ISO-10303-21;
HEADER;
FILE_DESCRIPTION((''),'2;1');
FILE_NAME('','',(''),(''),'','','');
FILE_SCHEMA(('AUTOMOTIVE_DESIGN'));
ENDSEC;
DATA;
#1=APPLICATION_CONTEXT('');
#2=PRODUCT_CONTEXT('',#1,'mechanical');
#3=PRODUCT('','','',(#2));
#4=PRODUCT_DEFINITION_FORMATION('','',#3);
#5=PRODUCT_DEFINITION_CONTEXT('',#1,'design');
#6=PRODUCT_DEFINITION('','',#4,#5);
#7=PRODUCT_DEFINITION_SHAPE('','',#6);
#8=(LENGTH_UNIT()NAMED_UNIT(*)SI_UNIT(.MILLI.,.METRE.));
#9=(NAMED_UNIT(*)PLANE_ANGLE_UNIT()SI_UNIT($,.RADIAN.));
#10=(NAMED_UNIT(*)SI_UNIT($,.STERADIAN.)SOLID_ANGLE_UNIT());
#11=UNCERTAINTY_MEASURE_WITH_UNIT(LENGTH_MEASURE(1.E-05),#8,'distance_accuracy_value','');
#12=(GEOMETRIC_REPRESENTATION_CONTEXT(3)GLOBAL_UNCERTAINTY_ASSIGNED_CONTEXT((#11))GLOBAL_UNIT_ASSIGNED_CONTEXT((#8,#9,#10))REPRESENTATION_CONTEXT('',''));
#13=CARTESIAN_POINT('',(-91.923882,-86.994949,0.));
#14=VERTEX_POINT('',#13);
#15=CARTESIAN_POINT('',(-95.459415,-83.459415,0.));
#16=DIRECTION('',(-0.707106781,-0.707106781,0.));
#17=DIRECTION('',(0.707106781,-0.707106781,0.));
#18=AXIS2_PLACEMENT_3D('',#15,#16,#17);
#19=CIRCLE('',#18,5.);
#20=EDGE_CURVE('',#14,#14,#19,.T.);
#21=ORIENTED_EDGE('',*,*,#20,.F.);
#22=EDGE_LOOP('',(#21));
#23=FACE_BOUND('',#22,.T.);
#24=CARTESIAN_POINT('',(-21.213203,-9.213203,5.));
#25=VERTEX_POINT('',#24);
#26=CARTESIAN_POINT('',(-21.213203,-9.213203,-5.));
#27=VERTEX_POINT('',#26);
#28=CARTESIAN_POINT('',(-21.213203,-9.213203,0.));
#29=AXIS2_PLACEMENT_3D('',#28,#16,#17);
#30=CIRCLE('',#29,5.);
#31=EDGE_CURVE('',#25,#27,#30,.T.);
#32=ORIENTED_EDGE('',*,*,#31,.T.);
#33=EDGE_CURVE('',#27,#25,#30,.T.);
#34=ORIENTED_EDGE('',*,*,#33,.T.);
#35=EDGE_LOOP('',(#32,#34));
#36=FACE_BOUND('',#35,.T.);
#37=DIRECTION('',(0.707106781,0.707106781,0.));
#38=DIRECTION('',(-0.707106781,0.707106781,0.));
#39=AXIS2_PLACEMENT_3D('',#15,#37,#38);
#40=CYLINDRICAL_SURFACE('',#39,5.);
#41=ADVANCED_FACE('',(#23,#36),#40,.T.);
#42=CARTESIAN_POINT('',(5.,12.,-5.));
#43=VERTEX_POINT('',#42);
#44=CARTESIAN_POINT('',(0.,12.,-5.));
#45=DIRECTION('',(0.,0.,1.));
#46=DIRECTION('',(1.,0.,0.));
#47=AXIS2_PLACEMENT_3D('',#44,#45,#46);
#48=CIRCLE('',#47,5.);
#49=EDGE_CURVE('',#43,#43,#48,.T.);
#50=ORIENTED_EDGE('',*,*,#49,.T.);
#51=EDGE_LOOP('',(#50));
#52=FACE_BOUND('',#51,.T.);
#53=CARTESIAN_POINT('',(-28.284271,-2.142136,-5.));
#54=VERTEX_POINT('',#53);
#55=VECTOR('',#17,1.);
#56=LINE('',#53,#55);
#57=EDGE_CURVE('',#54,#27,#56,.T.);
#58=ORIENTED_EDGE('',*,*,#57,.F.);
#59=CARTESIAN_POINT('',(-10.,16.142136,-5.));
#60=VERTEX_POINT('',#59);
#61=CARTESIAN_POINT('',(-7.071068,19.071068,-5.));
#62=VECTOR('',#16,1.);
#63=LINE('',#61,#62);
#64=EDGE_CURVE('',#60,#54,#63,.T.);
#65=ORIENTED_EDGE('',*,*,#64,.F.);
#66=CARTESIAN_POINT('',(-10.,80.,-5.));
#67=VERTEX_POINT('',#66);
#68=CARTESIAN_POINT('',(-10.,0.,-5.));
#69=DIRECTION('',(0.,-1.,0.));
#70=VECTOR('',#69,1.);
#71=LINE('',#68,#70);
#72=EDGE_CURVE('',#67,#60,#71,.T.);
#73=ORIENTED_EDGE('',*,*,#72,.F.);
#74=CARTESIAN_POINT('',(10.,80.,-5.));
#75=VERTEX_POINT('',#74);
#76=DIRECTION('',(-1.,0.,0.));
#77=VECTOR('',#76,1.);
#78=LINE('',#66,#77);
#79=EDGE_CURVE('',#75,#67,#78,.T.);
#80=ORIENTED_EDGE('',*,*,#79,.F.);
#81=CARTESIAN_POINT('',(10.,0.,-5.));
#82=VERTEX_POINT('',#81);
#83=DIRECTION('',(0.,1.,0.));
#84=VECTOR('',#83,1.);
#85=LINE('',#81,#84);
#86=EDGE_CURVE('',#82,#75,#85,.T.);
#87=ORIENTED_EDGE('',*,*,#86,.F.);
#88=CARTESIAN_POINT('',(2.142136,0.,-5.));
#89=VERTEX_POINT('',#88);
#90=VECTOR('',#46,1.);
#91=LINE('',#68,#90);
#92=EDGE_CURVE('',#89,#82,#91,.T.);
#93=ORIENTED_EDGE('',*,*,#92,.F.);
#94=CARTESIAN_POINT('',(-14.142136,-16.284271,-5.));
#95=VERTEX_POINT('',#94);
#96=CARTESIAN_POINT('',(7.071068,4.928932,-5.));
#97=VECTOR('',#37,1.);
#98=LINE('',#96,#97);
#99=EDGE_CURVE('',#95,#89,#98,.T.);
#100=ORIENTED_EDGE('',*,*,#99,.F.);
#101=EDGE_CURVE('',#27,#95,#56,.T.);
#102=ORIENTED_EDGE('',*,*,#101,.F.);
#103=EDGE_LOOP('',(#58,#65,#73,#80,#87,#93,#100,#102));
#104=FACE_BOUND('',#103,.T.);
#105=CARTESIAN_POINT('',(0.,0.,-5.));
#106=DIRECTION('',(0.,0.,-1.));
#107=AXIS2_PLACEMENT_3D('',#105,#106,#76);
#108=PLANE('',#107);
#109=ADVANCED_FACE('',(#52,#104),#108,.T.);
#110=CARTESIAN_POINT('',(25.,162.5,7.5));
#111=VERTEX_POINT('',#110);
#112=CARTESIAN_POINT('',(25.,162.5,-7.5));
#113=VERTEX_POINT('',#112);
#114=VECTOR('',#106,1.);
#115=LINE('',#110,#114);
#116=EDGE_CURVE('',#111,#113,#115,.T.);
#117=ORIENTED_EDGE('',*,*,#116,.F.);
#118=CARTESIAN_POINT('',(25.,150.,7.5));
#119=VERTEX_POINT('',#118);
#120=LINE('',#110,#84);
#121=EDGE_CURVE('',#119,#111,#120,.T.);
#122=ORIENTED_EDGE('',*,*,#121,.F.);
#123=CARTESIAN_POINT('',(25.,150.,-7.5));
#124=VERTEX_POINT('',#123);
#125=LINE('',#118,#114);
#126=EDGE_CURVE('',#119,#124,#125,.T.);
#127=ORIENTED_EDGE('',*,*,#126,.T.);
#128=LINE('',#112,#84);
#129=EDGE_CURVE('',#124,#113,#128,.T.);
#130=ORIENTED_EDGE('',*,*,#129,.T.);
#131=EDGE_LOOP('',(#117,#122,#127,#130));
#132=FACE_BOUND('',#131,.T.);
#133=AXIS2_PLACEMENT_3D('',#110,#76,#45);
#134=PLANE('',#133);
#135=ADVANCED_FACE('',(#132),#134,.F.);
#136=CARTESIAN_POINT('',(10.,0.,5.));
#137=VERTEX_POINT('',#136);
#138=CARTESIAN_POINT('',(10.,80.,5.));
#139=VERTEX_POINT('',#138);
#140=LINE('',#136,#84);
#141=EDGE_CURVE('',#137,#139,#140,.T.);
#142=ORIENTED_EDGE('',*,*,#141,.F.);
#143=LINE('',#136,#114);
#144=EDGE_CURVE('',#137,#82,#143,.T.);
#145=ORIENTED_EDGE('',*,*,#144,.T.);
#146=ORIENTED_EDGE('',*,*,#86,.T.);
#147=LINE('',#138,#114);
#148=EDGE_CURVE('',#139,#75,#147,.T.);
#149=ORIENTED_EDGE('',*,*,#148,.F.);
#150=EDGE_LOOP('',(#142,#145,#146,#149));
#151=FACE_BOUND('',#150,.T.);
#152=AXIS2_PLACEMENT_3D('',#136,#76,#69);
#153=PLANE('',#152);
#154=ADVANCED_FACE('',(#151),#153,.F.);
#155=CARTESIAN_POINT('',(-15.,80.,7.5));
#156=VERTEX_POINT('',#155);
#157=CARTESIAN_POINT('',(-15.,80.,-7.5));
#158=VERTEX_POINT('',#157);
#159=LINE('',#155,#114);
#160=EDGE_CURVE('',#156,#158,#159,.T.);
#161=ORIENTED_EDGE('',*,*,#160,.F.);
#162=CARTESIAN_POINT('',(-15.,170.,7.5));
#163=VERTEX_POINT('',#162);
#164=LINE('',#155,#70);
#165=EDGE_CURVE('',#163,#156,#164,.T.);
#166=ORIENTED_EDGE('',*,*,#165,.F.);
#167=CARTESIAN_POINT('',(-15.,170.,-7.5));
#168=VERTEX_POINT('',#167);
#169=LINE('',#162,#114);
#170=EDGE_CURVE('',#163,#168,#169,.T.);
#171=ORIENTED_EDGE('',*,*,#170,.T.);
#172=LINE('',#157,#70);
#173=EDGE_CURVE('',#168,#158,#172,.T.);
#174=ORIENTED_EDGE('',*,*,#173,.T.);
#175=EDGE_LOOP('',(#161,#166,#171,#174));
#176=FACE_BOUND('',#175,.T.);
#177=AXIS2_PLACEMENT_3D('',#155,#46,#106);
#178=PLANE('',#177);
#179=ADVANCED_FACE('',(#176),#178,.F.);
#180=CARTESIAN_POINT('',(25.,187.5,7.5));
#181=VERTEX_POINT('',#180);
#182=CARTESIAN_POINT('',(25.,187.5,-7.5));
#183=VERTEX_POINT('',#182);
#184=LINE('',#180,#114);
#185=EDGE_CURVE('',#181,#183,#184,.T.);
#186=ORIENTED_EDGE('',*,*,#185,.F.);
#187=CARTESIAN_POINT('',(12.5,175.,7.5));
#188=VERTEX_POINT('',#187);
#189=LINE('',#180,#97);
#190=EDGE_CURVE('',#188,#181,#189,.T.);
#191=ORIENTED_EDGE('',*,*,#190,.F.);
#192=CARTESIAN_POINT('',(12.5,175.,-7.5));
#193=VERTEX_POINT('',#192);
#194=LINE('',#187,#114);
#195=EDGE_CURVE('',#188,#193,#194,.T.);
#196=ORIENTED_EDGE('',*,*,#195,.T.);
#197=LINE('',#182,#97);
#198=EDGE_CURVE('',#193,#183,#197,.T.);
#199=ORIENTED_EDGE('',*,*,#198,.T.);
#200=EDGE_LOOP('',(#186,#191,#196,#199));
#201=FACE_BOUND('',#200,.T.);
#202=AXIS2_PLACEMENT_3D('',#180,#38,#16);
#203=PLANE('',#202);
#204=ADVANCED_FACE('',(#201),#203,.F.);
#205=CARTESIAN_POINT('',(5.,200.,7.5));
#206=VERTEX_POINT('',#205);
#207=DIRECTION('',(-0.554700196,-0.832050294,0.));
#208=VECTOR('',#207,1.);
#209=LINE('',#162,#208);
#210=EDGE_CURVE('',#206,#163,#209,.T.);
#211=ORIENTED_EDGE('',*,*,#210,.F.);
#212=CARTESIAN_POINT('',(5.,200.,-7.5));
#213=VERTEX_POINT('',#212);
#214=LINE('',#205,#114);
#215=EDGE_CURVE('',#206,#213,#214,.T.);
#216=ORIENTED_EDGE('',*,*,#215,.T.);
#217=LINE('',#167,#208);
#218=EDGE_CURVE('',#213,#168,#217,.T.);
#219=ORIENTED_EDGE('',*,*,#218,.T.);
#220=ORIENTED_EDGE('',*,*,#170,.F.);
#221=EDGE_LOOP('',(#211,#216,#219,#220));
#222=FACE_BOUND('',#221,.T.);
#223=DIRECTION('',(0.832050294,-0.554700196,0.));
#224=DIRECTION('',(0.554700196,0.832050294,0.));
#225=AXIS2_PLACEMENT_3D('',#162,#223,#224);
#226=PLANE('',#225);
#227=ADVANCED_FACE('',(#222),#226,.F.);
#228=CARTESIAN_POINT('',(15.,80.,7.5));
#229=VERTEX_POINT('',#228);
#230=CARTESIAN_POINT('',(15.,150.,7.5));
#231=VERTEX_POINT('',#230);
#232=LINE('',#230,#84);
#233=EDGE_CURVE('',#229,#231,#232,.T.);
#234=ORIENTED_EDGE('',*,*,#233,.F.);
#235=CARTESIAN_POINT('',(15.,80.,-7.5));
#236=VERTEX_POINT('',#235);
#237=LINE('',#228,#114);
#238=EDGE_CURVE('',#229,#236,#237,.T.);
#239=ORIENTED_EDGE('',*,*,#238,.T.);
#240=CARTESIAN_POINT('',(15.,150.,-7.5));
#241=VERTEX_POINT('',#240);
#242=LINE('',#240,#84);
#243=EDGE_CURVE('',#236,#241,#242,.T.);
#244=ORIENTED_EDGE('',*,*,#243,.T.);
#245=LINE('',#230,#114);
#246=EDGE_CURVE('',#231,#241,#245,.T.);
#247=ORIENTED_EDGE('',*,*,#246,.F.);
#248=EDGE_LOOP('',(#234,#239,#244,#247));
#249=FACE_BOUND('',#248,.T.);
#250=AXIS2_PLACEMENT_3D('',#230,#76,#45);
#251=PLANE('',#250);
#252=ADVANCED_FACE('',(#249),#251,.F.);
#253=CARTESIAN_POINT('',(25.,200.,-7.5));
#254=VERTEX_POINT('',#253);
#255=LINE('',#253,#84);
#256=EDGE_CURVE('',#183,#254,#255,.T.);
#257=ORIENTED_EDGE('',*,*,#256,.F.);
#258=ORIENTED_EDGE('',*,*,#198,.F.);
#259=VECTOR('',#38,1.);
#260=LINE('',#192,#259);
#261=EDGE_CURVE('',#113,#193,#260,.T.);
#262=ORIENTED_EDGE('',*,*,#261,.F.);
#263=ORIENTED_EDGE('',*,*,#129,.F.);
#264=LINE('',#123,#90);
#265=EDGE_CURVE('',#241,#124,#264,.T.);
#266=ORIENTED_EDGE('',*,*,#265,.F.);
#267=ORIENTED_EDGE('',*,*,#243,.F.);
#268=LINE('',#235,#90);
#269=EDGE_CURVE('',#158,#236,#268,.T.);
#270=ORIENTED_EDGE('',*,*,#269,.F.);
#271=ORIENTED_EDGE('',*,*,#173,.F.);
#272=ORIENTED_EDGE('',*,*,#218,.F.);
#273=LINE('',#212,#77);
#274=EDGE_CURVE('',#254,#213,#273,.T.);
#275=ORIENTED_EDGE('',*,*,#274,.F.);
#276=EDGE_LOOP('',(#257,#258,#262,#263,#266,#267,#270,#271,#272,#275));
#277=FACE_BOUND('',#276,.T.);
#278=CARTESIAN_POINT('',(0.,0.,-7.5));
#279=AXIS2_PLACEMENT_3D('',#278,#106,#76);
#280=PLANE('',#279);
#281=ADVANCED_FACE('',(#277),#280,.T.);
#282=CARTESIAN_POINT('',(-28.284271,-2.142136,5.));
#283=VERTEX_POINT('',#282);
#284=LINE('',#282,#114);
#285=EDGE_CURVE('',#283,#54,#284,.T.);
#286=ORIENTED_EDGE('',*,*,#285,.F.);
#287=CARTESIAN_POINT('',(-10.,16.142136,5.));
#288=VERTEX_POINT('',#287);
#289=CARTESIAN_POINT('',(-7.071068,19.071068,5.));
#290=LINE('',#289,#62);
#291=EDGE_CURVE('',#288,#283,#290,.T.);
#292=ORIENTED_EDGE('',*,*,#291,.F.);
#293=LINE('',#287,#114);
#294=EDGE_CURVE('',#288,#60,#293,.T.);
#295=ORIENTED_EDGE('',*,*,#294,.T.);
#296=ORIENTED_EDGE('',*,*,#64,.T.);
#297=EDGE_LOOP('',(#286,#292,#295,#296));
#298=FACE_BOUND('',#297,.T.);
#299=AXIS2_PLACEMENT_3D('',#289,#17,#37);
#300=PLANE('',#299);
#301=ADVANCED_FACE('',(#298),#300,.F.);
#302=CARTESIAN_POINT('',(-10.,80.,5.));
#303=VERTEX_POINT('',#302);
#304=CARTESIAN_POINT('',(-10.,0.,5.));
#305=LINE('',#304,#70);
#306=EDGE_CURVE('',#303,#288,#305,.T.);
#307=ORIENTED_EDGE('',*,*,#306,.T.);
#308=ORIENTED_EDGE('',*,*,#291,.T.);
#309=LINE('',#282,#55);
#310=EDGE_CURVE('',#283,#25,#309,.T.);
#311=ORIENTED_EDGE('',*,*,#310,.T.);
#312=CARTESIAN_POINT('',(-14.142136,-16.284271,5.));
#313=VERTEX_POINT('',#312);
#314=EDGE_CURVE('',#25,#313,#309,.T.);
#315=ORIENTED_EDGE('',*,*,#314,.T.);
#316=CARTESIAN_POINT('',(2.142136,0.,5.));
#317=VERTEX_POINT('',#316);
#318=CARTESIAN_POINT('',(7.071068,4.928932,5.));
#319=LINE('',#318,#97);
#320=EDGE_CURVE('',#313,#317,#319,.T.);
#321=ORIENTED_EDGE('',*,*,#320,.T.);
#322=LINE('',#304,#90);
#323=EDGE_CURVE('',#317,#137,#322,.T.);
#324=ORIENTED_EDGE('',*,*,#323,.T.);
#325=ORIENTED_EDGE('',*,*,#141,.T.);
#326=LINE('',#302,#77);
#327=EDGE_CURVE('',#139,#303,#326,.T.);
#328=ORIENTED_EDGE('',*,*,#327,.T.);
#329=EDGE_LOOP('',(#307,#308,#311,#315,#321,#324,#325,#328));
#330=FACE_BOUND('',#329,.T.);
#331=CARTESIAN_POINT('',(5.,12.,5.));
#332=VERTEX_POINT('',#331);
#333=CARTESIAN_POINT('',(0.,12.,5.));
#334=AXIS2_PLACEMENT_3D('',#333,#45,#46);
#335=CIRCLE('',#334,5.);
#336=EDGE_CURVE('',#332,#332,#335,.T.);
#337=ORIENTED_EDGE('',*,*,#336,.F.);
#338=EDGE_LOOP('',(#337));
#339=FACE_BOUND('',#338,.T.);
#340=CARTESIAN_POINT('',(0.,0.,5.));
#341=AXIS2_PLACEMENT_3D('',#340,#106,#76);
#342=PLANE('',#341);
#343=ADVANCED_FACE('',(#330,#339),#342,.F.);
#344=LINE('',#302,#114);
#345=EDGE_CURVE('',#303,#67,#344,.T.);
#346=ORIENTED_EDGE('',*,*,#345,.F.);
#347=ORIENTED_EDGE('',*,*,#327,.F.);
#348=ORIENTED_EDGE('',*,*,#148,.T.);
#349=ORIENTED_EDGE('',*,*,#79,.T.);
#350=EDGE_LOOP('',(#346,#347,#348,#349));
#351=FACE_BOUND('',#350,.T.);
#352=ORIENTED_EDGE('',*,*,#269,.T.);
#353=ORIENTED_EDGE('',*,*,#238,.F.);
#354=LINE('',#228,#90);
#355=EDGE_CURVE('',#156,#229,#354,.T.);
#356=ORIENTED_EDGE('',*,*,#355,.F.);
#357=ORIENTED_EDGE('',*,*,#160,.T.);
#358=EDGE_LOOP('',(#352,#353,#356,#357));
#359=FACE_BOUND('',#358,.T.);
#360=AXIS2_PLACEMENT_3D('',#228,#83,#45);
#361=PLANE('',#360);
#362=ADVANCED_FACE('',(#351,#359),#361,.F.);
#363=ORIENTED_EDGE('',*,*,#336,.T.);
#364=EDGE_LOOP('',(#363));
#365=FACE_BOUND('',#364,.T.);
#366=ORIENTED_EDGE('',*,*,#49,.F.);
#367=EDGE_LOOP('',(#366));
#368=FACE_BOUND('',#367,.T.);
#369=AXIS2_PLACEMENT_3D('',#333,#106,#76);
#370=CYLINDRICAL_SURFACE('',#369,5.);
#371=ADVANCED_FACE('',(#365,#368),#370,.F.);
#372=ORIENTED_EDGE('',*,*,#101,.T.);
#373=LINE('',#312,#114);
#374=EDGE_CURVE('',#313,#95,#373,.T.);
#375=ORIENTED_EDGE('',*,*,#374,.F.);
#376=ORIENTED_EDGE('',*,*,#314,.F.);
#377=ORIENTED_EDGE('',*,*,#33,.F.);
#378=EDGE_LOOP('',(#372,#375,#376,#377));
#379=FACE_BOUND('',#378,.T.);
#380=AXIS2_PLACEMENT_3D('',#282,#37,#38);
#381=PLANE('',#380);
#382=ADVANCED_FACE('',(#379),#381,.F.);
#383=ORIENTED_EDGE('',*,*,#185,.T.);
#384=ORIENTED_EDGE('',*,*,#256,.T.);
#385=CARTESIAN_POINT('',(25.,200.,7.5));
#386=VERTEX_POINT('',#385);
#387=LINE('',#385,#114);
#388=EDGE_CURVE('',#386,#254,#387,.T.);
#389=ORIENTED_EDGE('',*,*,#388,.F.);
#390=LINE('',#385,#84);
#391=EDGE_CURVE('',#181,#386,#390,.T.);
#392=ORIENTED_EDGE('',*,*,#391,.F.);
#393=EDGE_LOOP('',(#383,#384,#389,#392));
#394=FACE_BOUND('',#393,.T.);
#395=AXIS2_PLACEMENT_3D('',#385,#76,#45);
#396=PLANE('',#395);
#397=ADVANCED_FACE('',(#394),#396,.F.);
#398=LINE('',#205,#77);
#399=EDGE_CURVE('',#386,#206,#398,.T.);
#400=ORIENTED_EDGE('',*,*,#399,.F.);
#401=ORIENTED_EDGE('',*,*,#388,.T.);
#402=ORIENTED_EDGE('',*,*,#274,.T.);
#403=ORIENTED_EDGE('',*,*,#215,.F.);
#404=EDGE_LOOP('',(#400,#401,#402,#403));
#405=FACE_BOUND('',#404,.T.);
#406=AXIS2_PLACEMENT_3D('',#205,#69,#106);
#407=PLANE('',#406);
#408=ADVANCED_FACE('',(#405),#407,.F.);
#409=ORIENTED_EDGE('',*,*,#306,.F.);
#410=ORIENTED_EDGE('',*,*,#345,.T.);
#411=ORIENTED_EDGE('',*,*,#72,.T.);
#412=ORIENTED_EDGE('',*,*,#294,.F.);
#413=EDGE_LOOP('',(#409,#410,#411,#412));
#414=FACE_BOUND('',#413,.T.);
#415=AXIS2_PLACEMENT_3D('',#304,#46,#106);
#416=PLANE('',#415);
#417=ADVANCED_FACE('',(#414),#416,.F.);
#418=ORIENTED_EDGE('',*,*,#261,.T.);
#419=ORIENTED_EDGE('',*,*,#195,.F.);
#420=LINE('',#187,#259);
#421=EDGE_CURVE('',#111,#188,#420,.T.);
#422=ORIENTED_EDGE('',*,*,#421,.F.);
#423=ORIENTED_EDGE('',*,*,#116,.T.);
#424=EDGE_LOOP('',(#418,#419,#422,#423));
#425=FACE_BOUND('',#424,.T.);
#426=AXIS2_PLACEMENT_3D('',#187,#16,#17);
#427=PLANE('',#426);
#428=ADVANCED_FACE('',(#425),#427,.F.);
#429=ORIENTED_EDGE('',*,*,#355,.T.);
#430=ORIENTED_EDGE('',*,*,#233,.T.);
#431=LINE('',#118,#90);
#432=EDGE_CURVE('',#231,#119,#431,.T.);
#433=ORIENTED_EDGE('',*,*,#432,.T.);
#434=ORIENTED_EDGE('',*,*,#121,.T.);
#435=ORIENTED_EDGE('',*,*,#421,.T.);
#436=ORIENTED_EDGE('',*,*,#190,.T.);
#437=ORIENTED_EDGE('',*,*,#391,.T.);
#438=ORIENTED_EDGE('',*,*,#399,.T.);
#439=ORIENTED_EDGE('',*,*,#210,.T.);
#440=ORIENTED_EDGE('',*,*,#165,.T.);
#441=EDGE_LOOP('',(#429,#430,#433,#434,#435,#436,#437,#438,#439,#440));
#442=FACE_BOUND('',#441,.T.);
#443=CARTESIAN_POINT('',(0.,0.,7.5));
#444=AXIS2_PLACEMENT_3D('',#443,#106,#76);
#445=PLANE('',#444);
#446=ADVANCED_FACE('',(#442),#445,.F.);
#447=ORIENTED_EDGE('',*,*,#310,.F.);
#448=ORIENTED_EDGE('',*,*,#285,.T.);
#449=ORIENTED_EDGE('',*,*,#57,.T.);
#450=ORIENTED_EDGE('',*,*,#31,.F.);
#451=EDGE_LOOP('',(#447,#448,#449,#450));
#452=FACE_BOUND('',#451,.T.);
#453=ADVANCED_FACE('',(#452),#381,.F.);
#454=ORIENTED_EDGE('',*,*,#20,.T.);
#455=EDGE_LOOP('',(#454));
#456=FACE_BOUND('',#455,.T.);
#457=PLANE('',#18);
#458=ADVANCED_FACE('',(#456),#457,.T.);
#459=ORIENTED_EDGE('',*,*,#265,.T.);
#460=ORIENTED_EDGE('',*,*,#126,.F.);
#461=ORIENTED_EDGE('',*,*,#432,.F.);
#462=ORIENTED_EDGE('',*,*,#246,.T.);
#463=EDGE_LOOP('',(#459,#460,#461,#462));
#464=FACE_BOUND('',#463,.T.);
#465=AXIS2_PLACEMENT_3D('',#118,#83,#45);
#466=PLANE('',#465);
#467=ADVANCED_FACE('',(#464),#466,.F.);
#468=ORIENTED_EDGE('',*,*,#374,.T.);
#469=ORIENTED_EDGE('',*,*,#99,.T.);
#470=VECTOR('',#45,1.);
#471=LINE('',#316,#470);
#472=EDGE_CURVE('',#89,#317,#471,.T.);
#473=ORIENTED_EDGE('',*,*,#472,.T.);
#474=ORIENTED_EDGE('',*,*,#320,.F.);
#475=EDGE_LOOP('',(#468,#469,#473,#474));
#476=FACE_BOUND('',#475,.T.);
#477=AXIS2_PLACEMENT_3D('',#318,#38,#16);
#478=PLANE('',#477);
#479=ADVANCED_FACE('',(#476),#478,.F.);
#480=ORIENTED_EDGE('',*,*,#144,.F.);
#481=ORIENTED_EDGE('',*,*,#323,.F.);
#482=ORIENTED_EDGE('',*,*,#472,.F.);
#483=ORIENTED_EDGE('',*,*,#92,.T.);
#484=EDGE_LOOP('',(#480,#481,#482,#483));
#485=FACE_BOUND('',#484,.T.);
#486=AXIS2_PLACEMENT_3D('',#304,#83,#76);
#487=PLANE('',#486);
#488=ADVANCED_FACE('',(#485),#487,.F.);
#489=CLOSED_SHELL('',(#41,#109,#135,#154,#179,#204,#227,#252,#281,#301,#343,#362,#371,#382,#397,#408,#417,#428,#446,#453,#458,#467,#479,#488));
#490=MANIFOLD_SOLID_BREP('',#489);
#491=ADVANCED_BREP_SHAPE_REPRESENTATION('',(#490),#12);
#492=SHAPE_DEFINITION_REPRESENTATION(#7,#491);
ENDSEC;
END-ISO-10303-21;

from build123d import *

# Parameters (mm, degrees)
SKETCH1_W           = 20
SKETCH1_H           = 80
SKETCH1_R           = 5
BOSS_EXTRUDE1_DEPTH = 5
BOSS_EXTRUDE2_DEPTH = 7.5
BOSS_EXTRUDE3_DEPTH = 5
SKETCH4_R           = 5
BOSS_EXTRUDE4_DEPTH = 105


with BuildPart() as part:
    # Sketch1 → Boss-Extrude1 (new, symmetric)
    with BuildSketch(Plane.XY):
        with Locations((0, 40)):
            Rectangle(SKETCH1_W, SKETCH1_H)
        with Locations((0, 12)):
            Circle(SKETCH1_R, mode=Mode.SUBTRACT)
    extrude(amount=BOSS_EXTRUDE1_DEPTH, both=True)

    # Sketch2 → Boss-Extrude2 (add, symmetric)
    with BuildSketch(Plane.XY):
        Polygon((-15, 80), (-15, 170), (5, 200), (25, 200), (25, 187.5), (12.5, 175), (25, 162.5), (25, 150), (15, 150), (15, 80), align=None)
    extrude(amount=BOSS_EXTRUDE2_DEPTH, both=True)

    # Sketch3 → Boss-Extrude3 (add, symmetric)
    with BuildSketch(Plane.XY):
        with BuildLine():
            Line((-7.071067812, 19.071067812), (-28.284271247, -2.142135624))
            Line((-28.284271247, -2.142135624), (-14.142135624, -16.284271247))
            Line((-14.142135624, -16.284271247), (7.071067812, 4.928932188))
            Line((7.071067812, 4.928932188), (3.535533906, 8.464466094))
            ThreePointArc((3.535533906, 8.464466094), (-3.535533906, 8.464466094), (-3.535533906, 15.535533906))
            Line((-3.535533906, 15.535533906), (-7.071067812, 19.071067812))
        make_face()
    extrude(amount=BOSS_EXTRUDE3_DEPTH, both=True)

    # Sketch4 → Boss-Extrude4 (add)
    with BuildSketch(Plane(origin=(-15.213203436, -15.213203436, 0), x_dir=(0, 0, 1), z_dir=(-0.7071067811865512, -0.7071067811865438, 0))):
        with Locations(Location((0, 8.485281374, 0), (0, 0, 180))):
            Circle(SKETCH4_R)
    extrude(amount=BOSS_EXTRUDE4_DEPTH)


solid = part.part
